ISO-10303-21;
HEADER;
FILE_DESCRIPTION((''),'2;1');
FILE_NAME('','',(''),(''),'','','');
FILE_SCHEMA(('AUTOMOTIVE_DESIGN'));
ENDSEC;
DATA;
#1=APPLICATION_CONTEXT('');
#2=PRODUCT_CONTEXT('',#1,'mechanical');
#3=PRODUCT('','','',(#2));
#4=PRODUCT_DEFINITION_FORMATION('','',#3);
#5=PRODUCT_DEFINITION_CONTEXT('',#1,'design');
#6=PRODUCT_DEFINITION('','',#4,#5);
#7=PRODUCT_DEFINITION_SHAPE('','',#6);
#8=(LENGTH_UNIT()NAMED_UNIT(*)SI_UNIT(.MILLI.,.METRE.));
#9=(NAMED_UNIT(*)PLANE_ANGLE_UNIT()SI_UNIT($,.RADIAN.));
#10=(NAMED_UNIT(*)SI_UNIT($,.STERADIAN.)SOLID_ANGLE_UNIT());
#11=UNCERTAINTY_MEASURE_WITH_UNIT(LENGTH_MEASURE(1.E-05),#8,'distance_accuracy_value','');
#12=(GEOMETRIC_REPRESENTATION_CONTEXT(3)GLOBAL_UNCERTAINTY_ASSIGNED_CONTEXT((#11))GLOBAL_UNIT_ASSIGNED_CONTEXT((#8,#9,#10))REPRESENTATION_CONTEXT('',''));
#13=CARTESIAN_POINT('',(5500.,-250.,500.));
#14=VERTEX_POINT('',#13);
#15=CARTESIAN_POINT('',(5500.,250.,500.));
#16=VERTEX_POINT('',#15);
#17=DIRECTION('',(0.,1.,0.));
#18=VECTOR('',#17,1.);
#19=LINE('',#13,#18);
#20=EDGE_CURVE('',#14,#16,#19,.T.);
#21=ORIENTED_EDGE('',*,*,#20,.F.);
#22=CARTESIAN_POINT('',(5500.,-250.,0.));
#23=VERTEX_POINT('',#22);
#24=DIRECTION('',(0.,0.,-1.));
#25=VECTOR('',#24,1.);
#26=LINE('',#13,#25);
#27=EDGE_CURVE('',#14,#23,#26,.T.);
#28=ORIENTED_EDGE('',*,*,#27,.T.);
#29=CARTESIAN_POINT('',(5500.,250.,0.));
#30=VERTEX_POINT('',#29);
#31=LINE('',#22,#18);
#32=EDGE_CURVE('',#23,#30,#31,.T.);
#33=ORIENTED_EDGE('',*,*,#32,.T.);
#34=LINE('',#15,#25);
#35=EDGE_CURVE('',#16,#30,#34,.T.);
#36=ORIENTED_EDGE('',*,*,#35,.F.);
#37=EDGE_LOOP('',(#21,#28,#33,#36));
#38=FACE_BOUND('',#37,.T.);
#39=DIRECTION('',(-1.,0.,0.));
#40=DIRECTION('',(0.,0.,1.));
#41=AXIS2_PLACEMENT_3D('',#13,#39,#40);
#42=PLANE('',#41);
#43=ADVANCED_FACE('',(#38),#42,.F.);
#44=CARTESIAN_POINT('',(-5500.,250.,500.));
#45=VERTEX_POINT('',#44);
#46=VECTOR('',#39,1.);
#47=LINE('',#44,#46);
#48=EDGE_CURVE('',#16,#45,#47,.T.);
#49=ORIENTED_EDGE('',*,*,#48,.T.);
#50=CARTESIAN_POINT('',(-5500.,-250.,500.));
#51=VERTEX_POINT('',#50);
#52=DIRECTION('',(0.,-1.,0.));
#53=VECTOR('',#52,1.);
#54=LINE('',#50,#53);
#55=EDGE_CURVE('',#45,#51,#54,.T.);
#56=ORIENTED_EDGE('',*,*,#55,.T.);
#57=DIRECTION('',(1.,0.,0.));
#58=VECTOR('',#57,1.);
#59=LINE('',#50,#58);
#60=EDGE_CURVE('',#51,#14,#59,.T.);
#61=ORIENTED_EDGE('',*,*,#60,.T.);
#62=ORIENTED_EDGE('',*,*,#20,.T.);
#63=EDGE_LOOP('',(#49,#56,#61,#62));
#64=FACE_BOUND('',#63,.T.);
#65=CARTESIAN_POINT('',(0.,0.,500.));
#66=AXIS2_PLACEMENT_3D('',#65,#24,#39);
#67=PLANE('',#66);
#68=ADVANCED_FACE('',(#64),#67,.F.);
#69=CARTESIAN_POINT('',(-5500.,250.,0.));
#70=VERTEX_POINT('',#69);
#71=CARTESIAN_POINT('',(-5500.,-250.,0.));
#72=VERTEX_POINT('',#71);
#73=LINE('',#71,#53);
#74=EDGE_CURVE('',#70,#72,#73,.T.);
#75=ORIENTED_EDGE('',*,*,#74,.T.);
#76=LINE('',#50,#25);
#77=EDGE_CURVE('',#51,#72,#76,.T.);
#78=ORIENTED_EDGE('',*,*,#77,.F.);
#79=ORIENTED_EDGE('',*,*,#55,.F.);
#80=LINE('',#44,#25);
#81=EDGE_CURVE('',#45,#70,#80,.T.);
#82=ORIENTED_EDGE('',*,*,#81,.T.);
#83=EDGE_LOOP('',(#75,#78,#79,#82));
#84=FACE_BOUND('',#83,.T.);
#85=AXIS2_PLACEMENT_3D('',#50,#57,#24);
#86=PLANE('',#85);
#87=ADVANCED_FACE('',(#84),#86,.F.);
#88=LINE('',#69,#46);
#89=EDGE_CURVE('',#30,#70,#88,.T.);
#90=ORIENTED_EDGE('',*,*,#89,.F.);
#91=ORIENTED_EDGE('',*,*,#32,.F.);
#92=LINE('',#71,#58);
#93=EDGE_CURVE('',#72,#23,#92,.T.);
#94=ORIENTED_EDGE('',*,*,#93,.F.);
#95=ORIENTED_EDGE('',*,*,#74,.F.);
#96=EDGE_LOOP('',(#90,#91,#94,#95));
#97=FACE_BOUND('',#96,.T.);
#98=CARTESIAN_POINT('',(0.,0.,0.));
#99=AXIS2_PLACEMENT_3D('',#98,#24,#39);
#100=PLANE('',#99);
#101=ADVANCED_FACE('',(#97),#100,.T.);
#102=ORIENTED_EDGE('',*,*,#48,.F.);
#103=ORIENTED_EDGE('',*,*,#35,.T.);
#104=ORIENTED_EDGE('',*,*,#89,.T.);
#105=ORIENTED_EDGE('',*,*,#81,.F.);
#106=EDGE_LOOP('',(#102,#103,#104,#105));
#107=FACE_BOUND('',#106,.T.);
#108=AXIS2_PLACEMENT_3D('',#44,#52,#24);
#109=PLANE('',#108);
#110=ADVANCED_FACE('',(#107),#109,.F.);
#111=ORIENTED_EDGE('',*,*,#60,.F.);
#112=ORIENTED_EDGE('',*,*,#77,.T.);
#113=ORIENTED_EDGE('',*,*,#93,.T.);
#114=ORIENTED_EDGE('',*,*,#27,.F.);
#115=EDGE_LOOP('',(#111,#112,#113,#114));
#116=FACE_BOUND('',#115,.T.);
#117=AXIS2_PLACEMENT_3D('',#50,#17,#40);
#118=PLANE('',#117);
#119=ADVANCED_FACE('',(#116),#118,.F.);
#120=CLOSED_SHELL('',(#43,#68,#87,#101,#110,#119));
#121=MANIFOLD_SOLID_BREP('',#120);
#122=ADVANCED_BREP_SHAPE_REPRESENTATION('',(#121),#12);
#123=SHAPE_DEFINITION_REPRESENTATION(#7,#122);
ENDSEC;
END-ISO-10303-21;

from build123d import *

# Parameters (mm, degrees)
ESQUISSE1_W        = 11000
ESQUISSE1_H        = 500
BOSS_EXTRU_1_DEPTH = 500


with BuildPart() as part:
    # Esquisse1 → Boss.-Extru.1 (new body)
    with BuildSketch(Plane.XY):
        Rectangle(ESQUISSE1_W, ESQUISSE1_H)
    extrude(amount=BOSS_EXTRU_1_DEPTH)


solid = part.part
